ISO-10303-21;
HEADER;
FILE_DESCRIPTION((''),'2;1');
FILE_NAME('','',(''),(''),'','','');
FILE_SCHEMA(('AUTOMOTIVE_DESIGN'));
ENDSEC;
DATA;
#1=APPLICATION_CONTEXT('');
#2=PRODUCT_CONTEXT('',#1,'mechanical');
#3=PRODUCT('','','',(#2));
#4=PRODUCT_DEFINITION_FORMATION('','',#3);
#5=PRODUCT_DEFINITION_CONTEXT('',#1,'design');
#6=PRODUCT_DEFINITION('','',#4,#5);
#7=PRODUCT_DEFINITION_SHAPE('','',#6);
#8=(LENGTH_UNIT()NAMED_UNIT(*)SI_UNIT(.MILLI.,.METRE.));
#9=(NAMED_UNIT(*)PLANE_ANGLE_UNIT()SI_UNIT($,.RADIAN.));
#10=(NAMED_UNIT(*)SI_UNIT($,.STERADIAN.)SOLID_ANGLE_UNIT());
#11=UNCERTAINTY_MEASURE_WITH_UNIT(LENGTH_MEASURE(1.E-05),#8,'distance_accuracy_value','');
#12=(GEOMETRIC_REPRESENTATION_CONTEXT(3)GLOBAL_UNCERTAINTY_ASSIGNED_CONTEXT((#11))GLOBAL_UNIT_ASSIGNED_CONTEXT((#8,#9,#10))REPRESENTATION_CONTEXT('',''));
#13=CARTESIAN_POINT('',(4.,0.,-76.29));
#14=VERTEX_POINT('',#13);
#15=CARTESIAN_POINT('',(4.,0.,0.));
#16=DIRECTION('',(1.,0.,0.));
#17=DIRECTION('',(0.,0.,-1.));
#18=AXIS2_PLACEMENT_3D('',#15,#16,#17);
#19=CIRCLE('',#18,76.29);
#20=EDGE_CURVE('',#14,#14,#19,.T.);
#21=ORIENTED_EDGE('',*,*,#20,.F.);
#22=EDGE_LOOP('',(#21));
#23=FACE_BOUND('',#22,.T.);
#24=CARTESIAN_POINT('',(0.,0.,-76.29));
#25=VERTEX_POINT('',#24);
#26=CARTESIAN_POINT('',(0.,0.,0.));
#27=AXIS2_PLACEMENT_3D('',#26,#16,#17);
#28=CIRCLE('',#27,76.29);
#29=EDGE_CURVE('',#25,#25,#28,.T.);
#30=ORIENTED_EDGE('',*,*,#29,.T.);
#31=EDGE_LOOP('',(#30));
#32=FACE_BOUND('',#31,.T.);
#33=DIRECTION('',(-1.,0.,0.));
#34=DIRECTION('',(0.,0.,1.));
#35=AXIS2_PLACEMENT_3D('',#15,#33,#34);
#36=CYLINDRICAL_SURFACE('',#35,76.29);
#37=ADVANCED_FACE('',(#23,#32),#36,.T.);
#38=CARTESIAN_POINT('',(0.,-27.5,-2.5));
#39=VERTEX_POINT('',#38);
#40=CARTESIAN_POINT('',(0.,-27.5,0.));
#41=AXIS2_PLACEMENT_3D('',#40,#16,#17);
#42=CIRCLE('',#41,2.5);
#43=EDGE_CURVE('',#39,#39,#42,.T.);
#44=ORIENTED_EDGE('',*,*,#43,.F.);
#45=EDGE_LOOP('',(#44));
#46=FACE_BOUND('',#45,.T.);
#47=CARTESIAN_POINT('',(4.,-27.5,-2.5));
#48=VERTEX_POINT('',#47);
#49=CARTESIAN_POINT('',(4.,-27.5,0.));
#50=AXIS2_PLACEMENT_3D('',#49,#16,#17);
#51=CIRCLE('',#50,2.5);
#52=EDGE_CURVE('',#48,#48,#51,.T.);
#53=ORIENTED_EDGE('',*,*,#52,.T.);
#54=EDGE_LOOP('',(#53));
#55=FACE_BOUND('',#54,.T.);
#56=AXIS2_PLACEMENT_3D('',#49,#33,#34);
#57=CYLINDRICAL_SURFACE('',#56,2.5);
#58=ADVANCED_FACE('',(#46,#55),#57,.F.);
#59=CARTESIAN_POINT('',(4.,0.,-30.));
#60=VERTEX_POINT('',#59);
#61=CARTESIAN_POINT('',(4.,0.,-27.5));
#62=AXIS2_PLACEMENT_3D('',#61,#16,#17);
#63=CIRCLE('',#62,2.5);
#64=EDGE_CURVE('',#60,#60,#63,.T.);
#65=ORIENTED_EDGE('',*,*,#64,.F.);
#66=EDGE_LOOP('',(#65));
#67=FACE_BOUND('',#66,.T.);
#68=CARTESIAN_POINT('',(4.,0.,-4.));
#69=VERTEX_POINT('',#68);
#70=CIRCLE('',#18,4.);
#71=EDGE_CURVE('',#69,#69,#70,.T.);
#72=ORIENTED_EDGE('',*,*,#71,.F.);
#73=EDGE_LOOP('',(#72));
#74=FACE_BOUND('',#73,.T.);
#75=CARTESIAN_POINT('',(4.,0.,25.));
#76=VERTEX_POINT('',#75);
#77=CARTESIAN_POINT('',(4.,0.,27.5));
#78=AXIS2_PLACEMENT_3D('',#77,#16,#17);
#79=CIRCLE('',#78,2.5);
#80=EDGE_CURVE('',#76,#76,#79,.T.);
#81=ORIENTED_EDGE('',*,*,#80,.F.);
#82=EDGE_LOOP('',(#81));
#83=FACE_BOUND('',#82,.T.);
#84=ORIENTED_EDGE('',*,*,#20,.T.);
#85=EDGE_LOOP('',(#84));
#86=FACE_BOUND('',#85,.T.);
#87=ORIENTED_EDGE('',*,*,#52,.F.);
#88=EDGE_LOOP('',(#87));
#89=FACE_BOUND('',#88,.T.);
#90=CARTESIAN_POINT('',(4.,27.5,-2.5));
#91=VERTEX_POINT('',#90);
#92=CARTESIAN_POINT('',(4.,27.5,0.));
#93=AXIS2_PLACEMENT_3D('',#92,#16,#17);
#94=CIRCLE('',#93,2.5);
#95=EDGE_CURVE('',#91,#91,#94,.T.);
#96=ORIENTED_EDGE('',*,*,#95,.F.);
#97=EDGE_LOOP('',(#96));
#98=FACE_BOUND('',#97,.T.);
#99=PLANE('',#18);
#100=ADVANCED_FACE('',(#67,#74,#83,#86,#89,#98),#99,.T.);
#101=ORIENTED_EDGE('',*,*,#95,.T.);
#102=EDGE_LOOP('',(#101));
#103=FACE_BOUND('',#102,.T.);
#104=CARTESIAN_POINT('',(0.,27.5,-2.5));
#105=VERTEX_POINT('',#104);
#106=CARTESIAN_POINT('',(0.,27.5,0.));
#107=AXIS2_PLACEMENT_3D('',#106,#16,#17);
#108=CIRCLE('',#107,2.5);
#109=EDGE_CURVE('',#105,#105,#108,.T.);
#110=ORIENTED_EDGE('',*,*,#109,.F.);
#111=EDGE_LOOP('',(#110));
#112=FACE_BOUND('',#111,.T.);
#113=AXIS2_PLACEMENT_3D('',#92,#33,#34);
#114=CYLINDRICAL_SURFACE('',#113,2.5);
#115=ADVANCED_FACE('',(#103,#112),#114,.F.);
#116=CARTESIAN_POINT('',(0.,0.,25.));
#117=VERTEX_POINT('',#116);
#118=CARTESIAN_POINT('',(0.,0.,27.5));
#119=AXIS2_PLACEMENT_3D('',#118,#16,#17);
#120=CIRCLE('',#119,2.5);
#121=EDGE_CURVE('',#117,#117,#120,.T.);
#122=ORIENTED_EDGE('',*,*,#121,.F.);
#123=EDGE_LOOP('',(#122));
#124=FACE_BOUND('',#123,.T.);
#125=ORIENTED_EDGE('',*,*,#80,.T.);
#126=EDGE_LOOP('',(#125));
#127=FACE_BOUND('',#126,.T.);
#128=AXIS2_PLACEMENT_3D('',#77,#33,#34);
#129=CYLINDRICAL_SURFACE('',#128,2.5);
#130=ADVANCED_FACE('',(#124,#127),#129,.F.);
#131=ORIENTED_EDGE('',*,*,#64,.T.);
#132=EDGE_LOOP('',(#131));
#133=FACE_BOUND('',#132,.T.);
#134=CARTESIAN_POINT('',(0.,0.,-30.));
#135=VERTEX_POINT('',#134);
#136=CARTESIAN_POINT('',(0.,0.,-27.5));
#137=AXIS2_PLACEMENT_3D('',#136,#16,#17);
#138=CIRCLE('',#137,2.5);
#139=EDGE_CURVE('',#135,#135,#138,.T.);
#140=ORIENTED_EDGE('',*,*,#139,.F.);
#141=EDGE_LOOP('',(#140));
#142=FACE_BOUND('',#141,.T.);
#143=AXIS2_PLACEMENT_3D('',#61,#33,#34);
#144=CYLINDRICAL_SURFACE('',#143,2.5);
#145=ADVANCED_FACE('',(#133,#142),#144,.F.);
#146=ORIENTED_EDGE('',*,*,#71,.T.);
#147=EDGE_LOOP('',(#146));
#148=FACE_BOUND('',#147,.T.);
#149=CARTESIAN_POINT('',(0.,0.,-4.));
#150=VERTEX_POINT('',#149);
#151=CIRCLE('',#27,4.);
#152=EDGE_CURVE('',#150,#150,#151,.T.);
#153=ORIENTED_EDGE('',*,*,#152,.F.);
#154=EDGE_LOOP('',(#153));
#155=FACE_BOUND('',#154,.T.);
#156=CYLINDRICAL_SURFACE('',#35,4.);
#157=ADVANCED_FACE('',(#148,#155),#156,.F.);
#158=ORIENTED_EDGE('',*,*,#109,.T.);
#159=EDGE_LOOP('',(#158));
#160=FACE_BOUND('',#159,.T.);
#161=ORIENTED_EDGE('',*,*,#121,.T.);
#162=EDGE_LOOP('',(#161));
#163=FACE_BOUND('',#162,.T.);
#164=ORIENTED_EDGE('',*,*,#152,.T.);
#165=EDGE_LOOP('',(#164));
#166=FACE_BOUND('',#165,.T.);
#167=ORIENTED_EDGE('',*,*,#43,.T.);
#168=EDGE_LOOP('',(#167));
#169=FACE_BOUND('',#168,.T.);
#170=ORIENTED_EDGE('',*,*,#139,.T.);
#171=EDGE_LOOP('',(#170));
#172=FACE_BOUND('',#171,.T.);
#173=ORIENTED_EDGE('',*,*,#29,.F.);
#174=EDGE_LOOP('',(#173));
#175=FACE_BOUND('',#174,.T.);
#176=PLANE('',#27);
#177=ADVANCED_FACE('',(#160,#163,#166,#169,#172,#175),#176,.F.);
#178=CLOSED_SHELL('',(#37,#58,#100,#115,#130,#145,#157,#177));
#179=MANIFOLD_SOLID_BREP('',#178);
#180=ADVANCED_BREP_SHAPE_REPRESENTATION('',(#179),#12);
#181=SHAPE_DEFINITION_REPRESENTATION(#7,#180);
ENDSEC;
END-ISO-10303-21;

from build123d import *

# Parameters (mm, degrees)
SKETCH1_R           = 76.29
SKETCH1_R_2         = 2.5
SKETCH1_R_3         = 4
BOSS_EXTRUDE1_DEPTH = 4


with BuildPart() as part:
    # Sketch1 → Boss-Extrude1 (new body)
    with BuildSketch(Plane(origin=(0, 0, 0), x_dir=(0, 0, -1), z_dir=(1, 0, 0))):
        Circle(SKETCH1_R)
        with Locations((0, 27.5)):
            Circle(SKETCH1_R_2, mode=Mode.SUBTRACT)
        with Locations((27.5, 0)):
            Circle(SKETCH1_R_2, mode=Mode.SUBTRACT)
        with Locations((0, -27.5)):
            Circle(SKETCH1_R_2, mode=Mode.SUBTRACT)
        with Locations((-27.5, 0)):
            Circle(SKETCH1_R_2, mode=Mode.SUBTRACT)
        Circle(SKETCH1_R_3, mode=Mode.SUBTRACT)
    extrude(amount=BOSS_EXTRUDE1_DEPTH)


solid = part.part
